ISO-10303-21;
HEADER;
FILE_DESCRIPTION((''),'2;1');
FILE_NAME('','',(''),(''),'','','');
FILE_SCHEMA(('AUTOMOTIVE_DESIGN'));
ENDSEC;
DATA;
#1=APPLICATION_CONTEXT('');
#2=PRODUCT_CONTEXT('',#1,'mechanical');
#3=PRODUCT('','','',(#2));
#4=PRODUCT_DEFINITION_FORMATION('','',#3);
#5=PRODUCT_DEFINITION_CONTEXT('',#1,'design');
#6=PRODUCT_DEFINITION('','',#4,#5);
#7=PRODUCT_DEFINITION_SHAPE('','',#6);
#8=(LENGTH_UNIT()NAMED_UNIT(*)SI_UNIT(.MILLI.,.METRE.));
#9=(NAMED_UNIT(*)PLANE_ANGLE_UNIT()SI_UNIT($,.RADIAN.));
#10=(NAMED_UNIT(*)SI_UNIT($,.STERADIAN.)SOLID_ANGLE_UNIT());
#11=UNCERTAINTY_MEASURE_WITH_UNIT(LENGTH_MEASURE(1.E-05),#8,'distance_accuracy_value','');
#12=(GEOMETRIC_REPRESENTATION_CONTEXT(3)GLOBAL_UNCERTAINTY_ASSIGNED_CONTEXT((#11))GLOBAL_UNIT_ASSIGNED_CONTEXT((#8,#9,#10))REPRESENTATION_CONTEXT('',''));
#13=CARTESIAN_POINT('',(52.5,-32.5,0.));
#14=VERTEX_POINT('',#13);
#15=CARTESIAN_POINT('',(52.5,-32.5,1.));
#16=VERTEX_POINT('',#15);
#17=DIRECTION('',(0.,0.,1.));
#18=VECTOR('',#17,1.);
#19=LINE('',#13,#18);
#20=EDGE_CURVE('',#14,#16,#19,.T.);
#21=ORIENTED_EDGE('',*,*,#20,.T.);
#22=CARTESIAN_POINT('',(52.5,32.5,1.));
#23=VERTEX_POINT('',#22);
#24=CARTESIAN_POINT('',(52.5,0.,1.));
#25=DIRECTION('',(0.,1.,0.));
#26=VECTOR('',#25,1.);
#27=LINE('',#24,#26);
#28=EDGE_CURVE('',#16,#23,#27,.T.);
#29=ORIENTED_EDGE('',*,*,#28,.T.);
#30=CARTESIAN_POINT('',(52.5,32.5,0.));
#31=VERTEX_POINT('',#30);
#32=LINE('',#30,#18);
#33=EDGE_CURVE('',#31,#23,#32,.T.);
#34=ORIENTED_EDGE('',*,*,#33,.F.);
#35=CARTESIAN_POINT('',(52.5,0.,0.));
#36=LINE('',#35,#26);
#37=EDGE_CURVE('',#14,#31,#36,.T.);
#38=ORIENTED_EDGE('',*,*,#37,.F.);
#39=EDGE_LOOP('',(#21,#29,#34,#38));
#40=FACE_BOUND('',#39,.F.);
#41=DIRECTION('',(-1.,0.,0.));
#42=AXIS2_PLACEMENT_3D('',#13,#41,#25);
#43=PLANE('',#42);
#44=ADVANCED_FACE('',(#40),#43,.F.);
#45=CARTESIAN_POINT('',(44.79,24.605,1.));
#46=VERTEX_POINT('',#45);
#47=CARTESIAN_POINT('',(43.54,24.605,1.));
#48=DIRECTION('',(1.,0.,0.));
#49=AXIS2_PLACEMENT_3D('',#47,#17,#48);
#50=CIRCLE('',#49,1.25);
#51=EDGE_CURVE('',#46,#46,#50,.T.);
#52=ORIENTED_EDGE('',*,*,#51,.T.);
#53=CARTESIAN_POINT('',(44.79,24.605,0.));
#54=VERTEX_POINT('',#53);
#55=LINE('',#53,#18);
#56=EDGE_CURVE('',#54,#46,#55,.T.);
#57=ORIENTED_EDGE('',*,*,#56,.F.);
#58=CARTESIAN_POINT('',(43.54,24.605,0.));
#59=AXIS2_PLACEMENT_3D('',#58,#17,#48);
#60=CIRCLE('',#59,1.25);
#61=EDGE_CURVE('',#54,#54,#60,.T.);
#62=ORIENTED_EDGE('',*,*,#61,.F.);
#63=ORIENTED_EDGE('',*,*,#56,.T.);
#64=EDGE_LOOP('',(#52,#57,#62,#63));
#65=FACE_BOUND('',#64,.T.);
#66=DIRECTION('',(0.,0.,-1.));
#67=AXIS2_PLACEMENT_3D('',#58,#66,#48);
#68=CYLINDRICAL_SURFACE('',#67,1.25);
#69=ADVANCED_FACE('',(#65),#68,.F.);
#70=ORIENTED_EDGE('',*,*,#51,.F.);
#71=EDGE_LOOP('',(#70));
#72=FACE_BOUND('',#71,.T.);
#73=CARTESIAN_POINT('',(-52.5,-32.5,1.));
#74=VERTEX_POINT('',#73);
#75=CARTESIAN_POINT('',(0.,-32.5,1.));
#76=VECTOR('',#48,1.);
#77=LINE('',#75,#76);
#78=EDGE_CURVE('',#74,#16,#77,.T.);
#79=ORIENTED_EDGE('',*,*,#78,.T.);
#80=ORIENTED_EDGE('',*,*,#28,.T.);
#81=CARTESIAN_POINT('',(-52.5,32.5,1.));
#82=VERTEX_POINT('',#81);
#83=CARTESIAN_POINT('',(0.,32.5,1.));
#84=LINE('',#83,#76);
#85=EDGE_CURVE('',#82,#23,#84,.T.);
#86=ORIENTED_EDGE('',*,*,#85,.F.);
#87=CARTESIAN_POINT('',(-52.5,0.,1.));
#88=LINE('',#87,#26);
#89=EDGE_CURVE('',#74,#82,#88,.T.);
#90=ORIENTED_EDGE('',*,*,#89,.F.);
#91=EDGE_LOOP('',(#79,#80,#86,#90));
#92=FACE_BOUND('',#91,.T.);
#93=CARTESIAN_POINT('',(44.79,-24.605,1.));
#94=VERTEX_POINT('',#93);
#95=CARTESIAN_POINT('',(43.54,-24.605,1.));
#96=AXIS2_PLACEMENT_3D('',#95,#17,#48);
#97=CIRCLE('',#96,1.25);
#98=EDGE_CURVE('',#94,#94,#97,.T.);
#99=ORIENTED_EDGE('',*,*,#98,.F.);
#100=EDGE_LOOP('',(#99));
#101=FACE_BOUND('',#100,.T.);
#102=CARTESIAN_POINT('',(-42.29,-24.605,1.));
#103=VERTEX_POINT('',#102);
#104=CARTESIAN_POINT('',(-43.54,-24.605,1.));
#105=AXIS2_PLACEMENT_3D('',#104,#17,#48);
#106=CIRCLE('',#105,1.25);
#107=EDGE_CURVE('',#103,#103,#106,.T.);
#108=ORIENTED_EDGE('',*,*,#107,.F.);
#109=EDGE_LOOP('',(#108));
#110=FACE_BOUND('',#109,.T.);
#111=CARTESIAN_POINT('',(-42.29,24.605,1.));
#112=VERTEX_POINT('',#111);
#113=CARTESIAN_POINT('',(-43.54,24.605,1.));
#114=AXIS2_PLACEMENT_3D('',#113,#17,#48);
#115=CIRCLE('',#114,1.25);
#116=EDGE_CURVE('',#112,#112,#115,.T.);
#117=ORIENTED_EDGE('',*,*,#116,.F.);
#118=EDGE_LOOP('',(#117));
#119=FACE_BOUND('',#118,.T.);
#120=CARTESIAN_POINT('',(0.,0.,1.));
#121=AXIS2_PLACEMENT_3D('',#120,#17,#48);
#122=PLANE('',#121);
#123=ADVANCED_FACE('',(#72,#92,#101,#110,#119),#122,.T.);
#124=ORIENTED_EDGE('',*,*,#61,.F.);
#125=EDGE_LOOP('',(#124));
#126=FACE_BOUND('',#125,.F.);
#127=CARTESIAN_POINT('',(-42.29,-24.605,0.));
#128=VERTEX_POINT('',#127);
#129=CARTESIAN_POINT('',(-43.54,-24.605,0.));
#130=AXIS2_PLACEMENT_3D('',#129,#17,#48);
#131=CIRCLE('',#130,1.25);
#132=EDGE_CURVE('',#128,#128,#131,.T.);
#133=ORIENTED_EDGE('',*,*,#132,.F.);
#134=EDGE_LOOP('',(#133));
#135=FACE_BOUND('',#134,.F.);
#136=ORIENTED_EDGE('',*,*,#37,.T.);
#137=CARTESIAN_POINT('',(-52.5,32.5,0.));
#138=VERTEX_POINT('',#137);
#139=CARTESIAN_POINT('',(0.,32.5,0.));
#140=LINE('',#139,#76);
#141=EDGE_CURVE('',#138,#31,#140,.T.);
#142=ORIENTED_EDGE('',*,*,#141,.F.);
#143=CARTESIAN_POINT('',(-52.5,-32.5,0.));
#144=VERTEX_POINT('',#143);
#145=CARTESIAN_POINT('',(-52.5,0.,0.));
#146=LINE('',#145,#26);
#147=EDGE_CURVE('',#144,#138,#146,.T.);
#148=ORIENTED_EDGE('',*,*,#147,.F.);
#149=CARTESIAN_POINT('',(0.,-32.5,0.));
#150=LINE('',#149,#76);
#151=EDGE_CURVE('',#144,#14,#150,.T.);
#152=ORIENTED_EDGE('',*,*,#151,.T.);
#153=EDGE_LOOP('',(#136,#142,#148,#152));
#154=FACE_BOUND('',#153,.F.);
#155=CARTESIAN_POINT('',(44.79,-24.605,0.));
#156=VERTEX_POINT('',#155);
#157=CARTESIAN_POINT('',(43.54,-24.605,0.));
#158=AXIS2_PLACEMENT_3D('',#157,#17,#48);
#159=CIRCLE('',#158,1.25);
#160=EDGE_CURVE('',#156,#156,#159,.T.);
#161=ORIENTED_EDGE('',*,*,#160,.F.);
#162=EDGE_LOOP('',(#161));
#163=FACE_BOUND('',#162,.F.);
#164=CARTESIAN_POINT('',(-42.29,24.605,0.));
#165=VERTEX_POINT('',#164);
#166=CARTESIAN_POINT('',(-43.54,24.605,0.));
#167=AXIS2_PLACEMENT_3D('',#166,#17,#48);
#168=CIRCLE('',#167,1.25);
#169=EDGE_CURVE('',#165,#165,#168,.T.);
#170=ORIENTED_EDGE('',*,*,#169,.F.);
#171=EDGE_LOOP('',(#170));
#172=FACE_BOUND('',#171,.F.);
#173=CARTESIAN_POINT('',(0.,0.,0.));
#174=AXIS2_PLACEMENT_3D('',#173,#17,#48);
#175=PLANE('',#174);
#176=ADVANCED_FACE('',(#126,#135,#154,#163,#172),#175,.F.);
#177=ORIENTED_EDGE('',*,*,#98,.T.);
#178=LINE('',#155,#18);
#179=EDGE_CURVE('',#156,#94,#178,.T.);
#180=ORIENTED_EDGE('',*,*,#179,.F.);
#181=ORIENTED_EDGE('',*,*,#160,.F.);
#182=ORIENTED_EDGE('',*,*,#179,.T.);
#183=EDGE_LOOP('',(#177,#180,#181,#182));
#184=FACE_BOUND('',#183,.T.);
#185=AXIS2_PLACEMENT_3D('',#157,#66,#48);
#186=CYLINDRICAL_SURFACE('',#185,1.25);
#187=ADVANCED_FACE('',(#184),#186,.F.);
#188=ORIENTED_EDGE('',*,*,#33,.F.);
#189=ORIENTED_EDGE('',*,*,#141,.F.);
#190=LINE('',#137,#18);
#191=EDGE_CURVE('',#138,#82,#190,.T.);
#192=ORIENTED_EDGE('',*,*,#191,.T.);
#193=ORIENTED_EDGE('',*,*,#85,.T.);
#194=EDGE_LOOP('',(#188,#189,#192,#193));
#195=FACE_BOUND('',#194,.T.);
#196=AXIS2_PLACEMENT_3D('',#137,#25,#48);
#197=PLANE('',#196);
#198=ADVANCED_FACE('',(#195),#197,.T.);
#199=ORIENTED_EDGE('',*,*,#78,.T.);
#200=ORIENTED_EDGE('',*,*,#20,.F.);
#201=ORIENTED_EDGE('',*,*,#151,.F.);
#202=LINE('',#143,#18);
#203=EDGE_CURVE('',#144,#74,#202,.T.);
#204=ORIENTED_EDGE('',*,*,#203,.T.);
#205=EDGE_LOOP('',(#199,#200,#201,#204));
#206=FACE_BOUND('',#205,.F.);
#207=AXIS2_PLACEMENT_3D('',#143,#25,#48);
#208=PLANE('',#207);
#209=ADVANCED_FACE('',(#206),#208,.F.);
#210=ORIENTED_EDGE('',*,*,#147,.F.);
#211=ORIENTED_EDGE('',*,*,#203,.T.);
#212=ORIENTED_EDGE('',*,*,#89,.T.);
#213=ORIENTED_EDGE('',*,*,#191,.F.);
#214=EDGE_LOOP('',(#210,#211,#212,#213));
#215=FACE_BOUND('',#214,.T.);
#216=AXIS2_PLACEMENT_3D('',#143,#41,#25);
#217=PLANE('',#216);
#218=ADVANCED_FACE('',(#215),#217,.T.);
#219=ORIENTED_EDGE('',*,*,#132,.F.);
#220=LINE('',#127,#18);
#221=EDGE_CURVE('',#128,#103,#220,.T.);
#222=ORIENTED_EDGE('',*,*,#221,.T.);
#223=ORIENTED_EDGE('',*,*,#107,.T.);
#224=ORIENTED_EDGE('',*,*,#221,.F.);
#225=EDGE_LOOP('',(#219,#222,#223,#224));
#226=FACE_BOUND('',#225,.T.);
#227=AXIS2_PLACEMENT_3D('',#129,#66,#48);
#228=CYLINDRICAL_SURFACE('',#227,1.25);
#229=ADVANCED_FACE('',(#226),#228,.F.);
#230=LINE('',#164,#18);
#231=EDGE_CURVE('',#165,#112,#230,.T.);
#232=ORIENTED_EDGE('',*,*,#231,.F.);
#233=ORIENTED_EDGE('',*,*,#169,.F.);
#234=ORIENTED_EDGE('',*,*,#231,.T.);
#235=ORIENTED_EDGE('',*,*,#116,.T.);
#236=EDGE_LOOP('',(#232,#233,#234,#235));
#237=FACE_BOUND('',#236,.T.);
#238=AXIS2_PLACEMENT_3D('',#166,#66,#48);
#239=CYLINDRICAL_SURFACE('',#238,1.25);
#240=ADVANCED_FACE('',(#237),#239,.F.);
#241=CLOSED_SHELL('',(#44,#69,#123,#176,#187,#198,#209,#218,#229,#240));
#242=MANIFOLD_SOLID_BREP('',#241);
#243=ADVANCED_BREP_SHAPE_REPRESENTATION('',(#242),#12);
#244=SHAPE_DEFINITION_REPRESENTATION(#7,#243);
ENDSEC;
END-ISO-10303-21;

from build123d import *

# Parameters (mm, degrees)
SKETCH_W  = 105
SKETCH_H  = 65
SKETCH_R  = 1.25
PAD_DEPTH = 1


with BuildPart() as part:
    # Sketch → Pad (new body)
    with BuildSketch(Plane.XY):
        Rectangle(SKETCH_W, SKETCH_H)
        with Locations((43.54, 24.605)):
            Circle(SKETCH_R, mode=Mode.SUBTRACT)
        with Locations((-43.54, 24.605)):
            Circle(SKETCH_R, mode=Mode.SUBTRACT)
        with Locations((-43.54, -24.605)):
            Circle(SKETCH_R, mode=Mode.SUBTRACT)
        with Locations((43.54, -24.605)):
            Circle(SKETCH_R, mode=Mode.SUBTRACT)
    extrude(amount=PAD_DEPTH)


solid = part.part
